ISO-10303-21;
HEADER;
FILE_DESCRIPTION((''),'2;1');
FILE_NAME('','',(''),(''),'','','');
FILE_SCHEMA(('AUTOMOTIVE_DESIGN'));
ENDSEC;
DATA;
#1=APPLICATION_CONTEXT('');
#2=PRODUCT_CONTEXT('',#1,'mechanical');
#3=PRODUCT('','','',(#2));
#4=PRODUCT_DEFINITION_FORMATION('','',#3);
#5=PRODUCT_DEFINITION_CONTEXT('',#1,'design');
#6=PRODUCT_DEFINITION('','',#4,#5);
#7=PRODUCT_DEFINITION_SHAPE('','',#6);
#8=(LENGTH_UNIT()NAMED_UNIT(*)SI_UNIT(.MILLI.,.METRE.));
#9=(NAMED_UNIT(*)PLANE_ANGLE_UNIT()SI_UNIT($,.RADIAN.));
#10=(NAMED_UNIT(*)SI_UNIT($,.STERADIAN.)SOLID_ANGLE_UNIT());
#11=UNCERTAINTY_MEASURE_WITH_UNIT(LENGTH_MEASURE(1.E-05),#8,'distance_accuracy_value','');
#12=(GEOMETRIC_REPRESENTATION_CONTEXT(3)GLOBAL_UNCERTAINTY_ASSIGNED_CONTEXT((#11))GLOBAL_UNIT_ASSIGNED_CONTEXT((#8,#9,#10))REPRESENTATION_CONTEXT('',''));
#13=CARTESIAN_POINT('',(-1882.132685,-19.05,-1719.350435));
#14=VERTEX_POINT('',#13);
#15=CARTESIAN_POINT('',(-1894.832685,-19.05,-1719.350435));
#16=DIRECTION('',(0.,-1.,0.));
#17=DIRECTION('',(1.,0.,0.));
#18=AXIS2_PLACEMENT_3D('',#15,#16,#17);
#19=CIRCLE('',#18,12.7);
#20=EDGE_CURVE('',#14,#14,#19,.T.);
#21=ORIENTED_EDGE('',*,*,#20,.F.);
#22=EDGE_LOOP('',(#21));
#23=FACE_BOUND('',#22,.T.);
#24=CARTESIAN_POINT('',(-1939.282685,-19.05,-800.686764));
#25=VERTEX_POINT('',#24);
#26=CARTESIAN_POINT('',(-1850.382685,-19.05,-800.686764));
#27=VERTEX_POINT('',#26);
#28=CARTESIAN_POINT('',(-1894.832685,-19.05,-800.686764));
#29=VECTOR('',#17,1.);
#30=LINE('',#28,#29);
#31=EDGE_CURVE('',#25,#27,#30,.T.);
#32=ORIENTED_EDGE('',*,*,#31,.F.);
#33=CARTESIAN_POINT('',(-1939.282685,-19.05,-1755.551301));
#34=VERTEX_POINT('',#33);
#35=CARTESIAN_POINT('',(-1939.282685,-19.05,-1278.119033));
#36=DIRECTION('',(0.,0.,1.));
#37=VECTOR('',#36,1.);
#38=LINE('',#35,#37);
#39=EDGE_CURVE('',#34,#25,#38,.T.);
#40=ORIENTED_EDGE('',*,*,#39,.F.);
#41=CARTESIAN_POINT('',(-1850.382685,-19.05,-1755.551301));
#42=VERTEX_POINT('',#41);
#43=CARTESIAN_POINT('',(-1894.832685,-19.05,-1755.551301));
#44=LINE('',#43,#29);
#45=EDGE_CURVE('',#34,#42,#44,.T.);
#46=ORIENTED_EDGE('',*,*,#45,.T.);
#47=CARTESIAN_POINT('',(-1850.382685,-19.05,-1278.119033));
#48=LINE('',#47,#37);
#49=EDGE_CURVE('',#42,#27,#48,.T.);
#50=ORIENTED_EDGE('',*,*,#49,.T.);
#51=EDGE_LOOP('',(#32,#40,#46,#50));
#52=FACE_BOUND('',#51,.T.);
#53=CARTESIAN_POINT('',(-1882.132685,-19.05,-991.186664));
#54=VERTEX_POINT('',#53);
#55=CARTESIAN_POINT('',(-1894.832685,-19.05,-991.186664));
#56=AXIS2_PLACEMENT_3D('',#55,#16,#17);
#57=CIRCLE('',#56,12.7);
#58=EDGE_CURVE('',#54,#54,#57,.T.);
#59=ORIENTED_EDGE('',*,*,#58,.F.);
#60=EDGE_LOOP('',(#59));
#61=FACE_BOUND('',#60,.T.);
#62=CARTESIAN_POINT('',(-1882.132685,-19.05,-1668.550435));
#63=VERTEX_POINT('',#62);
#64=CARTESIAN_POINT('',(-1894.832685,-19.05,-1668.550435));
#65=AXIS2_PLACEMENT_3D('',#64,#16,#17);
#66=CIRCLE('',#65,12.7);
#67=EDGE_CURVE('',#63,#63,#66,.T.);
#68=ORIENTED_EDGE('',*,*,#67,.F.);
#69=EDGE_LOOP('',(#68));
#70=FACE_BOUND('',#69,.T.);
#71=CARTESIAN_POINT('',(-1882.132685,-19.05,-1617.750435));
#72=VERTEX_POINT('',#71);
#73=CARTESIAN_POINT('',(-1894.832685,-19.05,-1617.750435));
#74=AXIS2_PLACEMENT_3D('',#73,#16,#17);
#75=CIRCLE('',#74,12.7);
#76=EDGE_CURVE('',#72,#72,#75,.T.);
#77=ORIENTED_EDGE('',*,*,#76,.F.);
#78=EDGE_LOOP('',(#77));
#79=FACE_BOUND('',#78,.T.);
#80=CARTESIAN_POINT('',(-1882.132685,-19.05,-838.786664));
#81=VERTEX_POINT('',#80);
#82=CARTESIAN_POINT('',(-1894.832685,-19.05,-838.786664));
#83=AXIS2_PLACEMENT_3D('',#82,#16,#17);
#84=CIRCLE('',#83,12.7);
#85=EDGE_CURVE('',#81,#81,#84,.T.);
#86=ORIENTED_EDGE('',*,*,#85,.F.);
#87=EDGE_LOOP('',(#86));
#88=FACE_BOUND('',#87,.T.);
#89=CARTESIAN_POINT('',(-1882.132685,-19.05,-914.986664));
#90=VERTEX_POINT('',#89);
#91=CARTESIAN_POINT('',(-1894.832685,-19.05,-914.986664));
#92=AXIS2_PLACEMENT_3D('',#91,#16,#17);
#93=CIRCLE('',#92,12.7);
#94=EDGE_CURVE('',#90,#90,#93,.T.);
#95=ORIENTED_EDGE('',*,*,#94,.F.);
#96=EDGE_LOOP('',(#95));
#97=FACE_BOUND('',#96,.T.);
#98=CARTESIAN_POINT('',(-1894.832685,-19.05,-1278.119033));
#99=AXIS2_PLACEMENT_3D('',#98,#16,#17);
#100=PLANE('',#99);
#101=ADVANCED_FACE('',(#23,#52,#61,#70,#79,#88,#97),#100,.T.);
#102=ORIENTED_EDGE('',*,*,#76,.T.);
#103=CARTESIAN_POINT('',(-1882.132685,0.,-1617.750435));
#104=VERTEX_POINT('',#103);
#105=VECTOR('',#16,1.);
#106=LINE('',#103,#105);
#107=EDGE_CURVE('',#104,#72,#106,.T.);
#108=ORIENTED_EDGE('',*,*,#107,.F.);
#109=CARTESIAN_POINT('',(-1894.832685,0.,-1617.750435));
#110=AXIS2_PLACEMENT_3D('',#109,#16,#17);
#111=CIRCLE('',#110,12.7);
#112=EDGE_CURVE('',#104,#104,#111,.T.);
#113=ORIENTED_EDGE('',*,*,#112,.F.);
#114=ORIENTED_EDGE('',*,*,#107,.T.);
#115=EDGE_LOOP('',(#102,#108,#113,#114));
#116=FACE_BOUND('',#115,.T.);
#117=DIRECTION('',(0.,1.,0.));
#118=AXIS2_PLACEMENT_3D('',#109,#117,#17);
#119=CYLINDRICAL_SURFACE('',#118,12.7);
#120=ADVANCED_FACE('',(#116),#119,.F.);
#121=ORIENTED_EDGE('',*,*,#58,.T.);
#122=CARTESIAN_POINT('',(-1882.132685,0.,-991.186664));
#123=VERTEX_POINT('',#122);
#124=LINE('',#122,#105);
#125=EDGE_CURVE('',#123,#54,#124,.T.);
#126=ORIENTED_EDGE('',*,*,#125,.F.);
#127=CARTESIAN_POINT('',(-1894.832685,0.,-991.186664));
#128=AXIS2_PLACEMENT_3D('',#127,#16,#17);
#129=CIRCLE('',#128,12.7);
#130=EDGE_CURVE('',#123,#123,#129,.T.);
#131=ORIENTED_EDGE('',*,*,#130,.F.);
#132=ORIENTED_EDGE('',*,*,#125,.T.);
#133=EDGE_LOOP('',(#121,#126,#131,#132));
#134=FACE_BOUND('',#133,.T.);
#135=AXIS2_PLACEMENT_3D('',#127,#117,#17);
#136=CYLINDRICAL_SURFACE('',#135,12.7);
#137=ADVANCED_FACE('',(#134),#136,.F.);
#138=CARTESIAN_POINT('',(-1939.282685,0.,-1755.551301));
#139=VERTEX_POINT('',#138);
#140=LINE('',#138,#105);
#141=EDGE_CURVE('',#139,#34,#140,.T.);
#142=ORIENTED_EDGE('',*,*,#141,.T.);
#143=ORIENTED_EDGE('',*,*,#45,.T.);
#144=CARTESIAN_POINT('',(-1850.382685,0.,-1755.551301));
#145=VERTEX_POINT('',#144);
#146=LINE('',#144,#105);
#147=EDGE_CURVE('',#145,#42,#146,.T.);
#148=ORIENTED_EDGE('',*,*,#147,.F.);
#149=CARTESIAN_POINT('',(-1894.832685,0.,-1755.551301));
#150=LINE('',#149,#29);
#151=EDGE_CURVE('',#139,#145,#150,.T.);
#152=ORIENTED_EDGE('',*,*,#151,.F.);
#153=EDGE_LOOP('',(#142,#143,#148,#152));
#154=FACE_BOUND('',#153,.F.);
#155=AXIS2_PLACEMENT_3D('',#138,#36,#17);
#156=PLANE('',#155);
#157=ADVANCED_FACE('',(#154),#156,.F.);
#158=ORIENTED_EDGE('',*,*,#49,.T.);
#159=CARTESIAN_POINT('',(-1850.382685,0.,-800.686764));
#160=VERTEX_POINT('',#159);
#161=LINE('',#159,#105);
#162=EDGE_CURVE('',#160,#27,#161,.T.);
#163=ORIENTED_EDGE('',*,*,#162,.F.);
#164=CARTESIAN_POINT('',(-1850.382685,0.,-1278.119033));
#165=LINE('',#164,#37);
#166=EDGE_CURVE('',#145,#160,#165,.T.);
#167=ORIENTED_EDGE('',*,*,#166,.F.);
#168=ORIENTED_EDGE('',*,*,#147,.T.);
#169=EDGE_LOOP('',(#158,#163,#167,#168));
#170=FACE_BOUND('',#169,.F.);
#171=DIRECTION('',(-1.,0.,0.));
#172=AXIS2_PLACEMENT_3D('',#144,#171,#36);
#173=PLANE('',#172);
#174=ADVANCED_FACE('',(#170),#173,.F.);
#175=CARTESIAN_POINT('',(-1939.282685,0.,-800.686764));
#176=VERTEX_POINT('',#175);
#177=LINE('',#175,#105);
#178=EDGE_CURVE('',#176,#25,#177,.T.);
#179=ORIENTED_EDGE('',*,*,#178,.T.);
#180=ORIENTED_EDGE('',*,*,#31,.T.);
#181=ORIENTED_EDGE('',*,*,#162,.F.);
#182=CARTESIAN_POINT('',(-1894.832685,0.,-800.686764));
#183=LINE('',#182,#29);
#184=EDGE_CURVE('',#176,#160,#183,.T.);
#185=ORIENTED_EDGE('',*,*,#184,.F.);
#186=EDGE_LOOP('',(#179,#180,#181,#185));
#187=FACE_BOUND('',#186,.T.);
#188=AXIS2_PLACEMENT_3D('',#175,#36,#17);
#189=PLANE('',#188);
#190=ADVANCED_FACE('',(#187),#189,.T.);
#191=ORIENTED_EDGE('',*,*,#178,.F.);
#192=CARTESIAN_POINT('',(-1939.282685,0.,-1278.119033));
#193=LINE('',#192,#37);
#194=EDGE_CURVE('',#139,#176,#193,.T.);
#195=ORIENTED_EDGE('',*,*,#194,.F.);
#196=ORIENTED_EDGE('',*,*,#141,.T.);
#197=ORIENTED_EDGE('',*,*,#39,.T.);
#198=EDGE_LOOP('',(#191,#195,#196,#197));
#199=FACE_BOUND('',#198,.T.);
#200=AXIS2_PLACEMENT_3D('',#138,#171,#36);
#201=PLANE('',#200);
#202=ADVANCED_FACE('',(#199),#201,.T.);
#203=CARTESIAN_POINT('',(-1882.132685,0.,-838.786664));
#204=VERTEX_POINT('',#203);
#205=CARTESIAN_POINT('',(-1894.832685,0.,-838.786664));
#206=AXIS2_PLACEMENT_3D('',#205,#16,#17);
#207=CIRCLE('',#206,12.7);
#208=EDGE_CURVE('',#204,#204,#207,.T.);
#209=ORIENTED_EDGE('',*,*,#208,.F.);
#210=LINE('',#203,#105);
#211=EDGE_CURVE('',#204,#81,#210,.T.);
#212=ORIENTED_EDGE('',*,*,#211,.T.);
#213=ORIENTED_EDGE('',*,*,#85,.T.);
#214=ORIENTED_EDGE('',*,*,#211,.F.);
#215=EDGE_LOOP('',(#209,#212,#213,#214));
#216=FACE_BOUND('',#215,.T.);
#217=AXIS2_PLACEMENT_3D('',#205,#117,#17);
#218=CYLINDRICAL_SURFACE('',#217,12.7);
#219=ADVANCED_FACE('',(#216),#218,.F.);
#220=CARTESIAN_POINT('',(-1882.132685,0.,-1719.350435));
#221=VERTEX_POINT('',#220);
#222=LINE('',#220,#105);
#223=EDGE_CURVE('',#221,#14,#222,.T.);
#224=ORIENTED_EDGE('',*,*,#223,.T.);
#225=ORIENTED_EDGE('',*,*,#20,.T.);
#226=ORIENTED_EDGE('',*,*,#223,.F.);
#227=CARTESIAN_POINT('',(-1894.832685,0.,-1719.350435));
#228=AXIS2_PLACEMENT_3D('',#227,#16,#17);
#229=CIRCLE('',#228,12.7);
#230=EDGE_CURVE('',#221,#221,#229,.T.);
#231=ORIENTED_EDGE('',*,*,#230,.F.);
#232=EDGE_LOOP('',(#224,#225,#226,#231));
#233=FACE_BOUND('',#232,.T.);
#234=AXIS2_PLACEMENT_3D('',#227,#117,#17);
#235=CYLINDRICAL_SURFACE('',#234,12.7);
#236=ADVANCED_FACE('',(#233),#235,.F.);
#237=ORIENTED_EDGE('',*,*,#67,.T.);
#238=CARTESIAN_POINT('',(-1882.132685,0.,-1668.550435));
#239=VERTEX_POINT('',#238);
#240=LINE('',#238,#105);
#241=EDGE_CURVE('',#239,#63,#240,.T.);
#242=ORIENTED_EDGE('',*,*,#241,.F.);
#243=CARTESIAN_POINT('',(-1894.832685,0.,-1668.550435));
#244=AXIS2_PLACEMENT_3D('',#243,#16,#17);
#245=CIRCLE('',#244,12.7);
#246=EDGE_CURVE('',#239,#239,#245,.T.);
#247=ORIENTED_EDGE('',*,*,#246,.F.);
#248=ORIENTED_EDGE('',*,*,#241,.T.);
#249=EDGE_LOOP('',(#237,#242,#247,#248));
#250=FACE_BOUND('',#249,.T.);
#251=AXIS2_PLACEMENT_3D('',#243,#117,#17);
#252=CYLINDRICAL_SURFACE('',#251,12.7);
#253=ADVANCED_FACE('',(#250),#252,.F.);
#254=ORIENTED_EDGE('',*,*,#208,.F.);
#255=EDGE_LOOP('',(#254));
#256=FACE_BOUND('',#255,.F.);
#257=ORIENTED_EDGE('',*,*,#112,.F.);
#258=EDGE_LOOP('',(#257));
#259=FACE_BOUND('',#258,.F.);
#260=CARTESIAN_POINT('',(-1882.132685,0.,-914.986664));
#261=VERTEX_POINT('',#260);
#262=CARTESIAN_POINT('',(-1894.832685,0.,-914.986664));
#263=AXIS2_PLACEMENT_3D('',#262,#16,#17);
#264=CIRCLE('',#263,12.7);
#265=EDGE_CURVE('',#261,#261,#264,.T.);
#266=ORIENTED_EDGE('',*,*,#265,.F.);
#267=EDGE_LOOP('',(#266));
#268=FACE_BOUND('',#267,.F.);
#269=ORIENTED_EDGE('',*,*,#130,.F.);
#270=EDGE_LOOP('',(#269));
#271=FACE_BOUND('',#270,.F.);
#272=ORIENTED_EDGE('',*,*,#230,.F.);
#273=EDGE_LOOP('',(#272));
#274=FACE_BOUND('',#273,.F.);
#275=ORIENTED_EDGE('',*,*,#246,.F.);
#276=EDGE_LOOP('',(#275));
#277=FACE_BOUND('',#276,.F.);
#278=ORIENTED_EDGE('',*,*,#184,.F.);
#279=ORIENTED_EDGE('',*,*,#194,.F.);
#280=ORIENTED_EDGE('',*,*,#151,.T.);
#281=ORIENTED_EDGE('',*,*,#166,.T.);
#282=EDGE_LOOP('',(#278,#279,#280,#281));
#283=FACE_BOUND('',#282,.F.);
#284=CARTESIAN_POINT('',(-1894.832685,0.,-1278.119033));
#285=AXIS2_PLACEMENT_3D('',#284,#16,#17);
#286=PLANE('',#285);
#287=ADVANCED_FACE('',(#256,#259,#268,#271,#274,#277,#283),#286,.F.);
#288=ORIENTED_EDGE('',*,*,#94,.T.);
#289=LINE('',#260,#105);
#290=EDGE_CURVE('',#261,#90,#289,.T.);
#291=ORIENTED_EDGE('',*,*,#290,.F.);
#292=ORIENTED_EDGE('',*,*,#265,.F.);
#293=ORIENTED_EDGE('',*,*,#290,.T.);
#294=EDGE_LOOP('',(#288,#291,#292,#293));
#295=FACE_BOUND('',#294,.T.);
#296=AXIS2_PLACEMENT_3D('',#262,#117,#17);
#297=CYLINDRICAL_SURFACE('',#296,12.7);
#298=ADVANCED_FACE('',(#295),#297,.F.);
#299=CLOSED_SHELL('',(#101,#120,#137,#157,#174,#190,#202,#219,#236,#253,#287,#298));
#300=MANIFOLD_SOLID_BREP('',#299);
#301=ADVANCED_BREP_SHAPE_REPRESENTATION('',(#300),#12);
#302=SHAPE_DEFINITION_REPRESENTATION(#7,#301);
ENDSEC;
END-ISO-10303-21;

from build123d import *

# Parameters (mm, degrees)
F0_W     = 88.9
F0_H     = 954.864537
F0_R     = 12.7
F1_DEPTH = 19.05


with BuildPart() as f1:
    # F0 (on Front) → F1 (new body)
    with BuildSketch(Plane.XZ):
        with Locations((-1894.832685, -1278.119033)):
            Rectangle(F0_W, F0_H)
        with Locations((-1894.832685, -1719.350435)):
            Circle(F0_R, mode=Mode.SUBTRACT)
        with Locations((-1894.832685, -1668.550435)):
            Circle(F0_R, mode=Mode.SUBTRACT)
        with Locations((-1894.832685, -1617.750435)):
            Circle(F0_R, mode=Mode.SUBTRACT)
        with Locations((-1894.832685, -991.186664)):
            Circle(F0_R, mode=Mode.SUBTRACT)
        with Locations((-1894.832685, -914.986664)):
            Circle(F0_R, mode=Mode.SUBTRACT)
        with Locations((-1894.832685, -838.786664)):
            Circle(F0_R, mode=Mode.SUBTRACT)
    extrude(amount=F1_DEPTH)


solid = f1.part
